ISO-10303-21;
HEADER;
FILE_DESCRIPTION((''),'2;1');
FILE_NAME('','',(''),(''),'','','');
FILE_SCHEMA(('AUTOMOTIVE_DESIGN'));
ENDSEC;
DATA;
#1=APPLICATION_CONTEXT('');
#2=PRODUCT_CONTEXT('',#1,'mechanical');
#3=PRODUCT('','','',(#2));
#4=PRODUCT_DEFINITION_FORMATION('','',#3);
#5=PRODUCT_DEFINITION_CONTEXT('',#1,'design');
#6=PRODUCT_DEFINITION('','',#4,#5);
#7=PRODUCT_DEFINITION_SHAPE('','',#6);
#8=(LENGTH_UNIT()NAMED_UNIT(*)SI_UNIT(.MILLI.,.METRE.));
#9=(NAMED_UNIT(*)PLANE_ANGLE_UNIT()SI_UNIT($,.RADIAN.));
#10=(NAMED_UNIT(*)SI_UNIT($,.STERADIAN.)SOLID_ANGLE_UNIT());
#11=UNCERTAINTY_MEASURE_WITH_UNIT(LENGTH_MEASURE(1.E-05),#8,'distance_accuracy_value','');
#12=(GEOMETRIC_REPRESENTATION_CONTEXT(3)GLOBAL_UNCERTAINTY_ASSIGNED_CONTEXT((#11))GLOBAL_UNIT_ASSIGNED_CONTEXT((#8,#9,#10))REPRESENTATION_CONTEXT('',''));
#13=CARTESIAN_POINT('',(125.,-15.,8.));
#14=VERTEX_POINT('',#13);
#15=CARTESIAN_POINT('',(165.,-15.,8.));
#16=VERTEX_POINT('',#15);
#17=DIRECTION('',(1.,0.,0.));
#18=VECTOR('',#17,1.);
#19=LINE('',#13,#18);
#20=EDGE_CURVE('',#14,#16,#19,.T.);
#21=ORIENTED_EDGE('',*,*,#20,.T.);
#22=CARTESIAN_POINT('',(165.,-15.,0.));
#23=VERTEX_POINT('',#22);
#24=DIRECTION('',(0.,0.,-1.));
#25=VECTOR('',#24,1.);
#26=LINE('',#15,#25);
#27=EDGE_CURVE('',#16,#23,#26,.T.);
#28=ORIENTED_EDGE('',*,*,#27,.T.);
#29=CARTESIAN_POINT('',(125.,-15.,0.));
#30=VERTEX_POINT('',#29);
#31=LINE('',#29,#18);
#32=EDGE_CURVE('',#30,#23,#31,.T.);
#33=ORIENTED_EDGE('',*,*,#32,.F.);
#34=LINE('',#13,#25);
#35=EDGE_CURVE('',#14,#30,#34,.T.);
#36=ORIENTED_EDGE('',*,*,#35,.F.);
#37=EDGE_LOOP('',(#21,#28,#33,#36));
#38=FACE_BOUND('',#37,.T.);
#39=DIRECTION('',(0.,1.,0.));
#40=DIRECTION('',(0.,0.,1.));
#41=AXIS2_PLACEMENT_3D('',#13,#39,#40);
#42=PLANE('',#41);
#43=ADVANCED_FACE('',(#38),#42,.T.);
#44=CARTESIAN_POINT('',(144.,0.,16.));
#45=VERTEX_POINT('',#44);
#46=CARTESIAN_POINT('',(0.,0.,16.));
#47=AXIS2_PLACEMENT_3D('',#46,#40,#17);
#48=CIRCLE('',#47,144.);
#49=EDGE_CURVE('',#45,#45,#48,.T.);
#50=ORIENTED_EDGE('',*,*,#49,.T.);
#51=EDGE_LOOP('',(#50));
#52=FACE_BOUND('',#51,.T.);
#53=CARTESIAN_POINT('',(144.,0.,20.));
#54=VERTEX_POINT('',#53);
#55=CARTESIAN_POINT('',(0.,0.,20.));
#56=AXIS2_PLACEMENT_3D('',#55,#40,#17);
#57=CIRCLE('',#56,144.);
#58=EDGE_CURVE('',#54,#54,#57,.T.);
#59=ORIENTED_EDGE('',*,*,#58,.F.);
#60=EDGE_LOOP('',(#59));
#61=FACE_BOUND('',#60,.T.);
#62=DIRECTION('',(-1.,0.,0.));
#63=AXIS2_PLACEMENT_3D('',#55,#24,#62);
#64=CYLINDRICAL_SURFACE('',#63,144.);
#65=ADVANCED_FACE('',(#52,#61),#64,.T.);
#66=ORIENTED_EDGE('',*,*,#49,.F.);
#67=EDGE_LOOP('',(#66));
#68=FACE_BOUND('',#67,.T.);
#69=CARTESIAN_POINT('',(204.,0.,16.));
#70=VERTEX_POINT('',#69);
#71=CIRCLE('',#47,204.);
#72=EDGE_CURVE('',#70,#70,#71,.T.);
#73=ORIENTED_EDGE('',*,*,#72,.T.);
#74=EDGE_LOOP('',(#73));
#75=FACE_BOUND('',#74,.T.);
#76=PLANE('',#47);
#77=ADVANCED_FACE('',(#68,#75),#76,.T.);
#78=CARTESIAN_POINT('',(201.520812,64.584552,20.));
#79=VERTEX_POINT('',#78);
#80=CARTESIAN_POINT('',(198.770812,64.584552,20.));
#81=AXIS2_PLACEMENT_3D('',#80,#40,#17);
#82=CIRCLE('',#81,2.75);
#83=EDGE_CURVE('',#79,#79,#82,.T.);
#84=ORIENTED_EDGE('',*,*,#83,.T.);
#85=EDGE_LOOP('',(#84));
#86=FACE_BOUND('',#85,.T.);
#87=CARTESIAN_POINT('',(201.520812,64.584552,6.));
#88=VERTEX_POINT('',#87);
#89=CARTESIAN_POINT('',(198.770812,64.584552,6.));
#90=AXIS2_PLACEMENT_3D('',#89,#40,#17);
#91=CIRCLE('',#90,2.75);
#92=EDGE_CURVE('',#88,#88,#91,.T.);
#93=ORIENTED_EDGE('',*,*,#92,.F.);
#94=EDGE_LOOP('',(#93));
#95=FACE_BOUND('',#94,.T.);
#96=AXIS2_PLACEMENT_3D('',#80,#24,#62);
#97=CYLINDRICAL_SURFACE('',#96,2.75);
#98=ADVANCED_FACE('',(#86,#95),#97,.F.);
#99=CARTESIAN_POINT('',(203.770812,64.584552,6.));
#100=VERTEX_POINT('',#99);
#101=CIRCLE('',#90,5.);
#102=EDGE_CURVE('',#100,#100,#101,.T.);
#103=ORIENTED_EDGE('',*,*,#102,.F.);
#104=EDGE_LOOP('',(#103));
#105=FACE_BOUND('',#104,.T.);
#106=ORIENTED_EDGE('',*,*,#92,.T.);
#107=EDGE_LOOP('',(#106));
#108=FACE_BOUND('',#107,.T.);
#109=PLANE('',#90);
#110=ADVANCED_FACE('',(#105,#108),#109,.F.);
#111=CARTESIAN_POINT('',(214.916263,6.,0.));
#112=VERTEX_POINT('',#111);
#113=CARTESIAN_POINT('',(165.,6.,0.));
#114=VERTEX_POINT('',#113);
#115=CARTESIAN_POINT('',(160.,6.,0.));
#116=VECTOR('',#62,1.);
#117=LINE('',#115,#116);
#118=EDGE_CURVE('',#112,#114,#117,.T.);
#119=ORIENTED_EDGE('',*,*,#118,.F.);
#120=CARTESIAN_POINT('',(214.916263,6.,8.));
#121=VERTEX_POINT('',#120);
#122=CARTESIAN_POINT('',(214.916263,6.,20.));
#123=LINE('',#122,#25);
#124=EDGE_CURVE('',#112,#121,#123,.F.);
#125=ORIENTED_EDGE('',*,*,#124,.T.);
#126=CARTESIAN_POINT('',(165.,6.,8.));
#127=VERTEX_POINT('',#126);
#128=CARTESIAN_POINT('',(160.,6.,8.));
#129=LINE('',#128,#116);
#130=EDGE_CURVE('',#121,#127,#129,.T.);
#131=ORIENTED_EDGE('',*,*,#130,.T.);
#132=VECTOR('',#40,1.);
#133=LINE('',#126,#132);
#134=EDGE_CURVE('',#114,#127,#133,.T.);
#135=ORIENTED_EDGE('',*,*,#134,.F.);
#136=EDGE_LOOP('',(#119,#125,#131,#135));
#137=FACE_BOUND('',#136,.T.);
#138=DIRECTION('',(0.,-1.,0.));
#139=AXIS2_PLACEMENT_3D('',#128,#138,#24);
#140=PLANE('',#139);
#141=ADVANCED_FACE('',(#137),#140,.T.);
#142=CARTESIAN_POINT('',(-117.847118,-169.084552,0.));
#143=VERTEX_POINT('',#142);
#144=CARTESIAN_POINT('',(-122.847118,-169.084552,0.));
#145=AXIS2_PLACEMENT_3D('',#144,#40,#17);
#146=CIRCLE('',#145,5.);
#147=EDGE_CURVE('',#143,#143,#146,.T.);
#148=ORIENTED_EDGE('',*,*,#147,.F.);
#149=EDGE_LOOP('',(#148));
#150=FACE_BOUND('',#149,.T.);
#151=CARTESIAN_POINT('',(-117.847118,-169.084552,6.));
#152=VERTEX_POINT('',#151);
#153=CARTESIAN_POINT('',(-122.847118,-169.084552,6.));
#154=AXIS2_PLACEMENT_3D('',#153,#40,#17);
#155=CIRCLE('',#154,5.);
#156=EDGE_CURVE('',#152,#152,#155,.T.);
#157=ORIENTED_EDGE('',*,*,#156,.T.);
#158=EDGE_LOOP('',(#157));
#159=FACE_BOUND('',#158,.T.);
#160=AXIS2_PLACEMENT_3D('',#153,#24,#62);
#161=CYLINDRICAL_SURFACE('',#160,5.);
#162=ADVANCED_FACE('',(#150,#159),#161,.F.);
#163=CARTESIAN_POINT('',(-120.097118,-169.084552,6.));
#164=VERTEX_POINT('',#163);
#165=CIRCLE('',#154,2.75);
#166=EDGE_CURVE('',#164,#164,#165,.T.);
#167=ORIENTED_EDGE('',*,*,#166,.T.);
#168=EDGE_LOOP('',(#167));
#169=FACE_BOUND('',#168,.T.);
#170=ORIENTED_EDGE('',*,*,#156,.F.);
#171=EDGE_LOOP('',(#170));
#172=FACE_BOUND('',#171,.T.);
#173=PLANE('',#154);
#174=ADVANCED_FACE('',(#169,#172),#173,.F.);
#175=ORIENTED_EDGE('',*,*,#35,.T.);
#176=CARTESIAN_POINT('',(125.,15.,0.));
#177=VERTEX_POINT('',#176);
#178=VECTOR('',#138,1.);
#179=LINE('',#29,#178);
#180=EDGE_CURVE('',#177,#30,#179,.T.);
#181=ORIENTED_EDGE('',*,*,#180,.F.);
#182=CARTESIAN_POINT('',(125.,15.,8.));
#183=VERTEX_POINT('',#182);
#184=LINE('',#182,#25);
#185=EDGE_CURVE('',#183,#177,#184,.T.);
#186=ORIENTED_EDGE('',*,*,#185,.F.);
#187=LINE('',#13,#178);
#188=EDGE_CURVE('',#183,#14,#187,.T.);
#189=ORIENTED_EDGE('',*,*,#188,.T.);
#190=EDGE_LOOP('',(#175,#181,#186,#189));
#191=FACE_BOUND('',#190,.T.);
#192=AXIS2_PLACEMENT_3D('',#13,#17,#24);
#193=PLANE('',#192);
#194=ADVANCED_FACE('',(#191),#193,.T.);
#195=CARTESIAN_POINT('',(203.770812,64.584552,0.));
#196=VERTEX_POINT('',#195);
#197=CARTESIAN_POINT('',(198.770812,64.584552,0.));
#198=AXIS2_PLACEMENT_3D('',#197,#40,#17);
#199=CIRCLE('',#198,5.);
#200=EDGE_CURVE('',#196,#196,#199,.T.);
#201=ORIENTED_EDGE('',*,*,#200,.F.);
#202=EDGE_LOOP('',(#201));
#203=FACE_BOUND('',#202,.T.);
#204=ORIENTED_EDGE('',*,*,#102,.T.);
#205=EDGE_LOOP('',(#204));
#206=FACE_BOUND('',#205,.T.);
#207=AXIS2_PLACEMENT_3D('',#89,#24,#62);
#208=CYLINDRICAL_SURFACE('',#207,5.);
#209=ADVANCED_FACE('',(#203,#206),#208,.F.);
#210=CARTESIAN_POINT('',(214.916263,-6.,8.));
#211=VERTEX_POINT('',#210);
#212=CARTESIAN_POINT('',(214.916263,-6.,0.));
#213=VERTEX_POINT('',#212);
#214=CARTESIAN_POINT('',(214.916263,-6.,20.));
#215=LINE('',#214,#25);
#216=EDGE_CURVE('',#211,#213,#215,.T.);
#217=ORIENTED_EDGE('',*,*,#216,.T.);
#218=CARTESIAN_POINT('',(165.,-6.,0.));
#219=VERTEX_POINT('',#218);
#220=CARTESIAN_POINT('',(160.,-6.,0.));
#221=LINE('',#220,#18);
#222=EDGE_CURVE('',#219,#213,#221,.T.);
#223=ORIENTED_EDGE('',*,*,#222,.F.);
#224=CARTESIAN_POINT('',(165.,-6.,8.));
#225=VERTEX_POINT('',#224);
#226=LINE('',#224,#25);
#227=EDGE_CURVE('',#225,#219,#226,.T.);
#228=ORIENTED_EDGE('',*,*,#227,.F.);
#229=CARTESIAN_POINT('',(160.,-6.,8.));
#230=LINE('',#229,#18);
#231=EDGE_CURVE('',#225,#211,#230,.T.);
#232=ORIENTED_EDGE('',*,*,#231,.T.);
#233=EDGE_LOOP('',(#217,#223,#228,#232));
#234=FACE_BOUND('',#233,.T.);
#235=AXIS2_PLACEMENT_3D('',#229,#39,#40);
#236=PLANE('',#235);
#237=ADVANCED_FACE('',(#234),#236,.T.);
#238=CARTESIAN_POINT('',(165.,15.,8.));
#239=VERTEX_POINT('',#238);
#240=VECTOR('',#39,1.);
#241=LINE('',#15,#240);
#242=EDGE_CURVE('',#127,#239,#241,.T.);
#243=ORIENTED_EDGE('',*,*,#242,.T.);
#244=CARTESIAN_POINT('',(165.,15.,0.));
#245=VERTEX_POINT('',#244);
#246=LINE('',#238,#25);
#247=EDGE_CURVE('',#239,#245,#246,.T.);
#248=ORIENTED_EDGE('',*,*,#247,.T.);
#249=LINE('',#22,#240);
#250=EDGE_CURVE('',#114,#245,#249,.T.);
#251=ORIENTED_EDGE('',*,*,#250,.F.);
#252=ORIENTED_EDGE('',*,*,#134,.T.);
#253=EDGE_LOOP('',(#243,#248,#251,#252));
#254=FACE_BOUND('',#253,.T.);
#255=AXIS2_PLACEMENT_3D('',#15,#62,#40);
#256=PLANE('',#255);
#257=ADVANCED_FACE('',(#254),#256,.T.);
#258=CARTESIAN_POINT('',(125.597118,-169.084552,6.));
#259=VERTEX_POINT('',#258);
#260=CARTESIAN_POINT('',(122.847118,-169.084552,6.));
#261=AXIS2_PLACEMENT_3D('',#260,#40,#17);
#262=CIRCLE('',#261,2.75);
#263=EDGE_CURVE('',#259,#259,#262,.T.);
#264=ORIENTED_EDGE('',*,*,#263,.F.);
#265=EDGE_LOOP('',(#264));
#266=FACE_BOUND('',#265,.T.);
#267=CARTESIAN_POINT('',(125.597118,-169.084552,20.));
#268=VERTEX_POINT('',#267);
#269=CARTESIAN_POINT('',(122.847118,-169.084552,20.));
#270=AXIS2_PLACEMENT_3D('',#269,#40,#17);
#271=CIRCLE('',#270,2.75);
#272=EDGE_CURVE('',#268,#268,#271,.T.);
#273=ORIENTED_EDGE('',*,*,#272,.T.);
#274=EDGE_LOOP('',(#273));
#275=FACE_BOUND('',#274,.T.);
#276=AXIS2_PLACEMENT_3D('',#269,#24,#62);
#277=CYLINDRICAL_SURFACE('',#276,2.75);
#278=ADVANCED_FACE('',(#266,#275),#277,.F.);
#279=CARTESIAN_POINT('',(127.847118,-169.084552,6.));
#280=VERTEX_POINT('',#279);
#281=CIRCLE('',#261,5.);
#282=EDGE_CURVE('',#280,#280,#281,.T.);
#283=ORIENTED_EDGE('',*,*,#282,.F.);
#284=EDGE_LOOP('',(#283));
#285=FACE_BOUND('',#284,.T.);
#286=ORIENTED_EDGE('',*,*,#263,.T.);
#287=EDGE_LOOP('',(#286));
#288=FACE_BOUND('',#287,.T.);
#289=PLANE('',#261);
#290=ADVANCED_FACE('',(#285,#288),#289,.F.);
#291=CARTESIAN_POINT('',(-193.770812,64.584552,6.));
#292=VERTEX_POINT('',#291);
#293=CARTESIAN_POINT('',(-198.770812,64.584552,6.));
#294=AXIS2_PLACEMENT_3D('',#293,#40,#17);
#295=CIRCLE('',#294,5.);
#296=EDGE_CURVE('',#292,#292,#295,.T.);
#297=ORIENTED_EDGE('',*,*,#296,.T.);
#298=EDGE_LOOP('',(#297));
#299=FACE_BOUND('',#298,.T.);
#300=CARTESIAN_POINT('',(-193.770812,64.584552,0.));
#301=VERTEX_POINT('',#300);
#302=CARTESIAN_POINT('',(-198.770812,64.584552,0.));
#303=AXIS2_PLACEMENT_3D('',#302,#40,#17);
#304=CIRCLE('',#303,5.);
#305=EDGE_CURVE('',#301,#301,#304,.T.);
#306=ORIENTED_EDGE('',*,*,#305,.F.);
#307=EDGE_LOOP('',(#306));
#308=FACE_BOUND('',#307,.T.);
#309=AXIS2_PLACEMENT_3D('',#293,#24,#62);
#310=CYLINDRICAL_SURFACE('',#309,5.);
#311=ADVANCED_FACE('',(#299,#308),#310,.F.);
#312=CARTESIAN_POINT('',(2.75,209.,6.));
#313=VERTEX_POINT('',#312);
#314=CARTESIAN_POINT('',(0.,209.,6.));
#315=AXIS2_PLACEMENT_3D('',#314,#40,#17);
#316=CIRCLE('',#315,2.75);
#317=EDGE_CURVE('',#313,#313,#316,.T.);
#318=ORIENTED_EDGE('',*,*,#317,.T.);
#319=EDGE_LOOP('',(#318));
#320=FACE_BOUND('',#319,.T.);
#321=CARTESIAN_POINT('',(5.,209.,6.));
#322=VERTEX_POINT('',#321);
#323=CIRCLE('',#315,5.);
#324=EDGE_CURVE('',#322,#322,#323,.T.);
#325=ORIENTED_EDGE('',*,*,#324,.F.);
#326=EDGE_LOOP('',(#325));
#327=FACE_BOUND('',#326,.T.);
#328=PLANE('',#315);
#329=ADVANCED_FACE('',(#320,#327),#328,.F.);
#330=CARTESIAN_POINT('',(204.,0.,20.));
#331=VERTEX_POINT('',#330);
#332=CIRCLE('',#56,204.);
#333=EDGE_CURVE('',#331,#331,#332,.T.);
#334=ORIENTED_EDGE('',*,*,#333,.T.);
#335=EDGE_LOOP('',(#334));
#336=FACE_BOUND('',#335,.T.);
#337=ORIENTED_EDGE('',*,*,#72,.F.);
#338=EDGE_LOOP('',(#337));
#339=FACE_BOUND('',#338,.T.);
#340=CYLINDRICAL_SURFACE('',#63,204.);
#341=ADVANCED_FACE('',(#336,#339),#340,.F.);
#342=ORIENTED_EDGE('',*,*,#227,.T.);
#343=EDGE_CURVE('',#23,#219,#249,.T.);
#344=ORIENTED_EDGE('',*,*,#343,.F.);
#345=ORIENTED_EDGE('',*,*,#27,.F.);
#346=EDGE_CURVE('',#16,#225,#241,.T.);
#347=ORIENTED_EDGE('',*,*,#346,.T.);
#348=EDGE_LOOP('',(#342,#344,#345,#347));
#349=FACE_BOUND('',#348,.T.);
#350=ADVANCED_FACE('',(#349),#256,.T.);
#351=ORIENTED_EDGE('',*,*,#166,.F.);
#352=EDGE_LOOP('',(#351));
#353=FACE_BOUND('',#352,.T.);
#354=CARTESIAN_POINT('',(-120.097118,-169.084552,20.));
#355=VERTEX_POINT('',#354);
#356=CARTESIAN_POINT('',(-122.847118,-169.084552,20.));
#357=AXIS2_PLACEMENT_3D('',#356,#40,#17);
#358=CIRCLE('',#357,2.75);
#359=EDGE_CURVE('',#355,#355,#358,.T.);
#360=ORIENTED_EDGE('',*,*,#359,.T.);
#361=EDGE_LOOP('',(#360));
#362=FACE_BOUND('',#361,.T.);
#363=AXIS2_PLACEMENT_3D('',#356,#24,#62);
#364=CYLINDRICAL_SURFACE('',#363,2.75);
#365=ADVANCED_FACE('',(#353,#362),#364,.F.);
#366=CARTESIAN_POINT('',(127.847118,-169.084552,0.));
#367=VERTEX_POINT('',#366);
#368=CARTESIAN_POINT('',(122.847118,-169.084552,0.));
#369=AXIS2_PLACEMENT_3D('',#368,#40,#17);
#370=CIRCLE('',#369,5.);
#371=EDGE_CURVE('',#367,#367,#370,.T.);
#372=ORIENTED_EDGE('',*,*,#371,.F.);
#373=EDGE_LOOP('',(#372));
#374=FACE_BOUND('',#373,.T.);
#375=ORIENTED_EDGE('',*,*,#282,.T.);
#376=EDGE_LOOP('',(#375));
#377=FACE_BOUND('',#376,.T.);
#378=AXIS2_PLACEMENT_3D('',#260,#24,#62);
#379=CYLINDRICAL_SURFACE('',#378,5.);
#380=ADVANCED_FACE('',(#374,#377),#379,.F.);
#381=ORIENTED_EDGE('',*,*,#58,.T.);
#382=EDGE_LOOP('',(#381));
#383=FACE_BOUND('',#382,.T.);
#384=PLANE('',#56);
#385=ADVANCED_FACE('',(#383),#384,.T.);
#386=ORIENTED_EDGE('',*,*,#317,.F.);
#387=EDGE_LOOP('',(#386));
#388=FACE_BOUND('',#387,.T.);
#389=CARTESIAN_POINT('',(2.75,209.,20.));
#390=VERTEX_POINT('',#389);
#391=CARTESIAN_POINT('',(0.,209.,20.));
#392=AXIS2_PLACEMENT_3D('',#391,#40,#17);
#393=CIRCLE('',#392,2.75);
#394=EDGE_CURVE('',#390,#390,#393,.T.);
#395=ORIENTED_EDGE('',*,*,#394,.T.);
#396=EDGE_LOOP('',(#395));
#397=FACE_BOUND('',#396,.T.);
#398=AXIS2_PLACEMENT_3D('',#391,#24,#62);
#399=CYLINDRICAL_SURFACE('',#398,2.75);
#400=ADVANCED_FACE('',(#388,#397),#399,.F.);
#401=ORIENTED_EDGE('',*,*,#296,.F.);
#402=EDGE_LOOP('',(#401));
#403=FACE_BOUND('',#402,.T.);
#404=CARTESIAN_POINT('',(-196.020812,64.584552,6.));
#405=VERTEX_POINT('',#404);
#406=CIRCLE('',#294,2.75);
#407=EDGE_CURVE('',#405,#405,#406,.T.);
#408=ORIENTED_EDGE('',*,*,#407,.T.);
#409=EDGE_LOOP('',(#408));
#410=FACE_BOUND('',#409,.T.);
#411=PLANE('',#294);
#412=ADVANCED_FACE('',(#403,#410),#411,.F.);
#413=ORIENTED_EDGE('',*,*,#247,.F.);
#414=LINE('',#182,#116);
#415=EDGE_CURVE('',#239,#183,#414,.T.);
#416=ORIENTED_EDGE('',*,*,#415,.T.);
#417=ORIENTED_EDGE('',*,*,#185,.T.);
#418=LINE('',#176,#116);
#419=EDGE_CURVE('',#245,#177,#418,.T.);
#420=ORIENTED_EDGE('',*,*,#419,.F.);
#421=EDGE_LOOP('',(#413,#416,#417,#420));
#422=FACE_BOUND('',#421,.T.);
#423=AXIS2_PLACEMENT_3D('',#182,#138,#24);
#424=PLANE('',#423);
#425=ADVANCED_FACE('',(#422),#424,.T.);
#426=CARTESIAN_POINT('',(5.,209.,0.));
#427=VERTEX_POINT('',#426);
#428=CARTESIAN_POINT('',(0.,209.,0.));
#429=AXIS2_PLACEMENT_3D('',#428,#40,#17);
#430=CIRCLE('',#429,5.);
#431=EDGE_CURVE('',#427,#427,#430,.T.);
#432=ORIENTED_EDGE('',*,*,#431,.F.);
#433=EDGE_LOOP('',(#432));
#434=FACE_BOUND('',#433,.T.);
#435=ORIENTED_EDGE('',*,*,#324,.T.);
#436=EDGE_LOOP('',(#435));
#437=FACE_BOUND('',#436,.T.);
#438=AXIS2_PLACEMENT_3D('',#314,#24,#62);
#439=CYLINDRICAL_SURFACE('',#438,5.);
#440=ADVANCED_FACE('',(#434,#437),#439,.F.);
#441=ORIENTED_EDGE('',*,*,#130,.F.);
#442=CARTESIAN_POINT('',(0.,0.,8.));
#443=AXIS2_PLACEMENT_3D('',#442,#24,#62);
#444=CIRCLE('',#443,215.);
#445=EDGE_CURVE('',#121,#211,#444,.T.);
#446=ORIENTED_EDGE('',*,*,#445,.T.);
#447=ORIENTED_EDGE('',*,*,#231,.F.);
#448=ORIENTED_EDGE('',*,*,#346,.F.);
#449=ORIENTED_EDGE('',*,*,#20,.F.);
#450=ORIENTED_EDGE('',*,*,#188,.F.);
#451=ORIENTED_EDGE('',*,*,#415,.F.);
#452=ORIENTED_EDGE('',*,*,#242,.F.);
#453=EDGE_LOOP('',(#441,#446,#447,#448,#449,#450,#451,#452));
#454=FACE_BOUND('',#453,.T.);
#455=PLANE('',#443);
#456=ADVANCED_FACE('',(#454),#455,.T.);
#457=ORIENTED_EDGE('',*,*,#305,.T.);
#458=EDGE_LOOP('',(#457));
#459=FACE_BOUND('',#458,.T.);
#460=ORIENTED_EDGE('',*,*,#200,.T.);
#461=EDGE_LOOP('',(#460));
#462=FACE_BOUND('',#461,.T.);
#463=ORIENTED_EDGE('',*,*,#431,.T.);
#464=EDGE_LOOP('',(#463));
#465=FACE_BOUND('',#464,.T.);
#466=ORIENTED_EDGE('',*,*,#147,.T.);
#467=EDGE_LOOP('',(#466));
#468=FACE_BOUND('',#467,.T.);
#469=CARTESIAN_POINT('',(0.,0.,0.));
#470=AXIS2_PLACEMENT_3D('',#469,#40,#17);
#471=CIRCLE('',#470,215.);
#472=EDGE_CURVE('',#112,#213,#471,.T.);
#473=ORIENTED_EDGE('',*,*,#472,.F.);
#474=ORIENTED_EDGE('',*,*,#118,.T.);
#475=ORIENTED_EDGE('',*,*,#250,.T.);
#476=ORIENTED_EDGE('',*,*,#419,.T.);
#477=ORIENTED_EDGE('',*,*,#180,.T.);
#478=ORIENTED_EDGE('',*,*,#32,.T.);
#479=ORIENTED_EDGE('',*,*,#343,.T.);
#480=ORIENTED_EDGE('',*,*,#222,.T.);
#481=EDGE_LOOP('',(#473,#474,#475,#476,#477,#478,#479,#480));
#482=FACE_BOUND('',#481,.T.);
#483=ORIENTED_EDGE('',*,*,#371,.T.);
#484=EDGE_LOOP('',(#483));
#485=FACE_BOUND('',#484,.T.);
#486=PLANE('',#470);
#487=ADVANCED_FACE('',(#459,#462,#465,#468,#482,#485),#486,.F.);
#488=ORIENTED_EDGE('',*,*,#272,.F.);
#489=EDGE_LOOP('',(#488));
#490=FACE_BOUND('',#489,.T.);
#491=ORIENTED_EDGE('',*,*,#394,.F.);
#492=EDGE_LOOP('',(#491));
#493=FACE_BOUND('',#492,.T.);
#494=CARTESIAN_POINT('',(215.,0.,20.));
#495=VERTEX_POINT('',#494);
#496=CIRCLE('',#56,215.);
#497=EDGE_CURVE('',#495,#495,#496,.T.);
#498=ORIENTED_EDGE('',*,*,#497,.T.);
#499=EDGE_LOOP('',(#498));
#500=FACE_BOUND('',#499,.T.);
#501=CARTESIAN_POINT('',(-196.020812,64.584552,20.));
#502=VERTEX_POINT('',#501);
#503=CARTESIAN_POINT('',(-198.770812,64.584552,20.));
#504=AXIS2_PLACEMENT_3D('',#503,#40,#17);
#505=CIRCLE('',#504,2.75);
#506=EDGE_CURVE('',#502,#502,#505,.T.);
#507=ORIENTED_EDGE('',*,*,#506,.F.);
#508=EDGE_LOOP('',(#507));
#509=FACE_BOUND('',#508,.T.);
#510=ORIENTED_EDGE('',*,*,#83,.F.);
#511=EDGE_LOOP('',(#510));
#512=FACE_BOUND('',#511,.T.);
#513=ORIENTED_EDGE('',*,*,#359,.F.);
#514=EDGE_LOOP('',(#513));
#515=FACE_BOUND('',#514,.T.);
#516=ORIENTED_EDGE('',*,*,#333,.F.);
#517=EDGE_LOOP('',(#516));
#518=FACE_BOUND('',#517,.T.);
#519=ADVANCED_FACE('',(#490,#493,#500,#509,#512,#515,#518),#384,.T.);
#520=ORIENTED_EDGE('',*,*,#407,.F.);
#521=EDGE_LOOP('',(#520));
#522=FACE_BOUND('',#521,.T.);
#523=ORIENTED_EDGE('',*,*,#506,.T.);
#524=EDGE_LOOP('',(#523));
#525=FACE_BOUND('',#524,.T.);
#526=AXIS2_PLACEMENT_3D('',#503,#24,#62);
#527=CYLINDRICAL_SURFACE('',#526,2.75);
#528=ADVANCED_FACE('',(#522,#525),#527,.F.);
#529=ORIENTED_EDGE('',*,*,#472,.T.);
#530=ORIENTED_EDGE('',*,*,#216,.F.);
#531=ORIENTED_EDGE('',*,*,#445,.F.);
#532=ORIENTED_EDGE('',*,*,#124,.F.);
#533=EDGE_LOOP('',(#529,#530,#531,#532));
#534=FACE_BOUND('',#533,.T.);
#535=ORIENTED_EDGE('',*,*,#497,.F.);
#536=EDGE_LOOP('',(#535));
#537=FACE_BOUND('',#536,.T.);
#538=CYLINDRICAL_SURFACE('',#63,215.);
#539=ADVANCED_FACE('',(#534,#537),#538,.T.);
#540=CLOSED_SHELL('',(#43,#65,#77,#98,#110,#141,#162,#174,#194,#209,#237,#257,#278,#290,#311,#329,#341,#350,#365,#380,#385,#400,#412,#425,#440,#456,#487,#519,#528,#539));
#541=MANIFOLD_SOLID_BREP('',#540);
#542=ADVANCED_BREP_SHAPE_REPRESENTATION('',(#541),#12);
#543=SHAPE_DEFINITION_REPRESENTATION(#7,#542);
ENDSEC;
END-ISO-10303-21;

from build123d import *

# Parameters (mm, degrees)
SKETCH1_R           = 215
PLATE_DEPTH         = 20
SKETCH2_R           = 204
SKETCH2_R_2         = 144
COMB_GROOVE_DEPTH   = 4
SKETCH3_R           = 2.75
ROD_HOLES_DEPTH     = 20
SKETCH4_R           = 5
NUT_POCKETS_DEPTH   = 6
SKETCH5_W           = 40
SKETCH5_H           = 30
PD_POCKET_DEPTH     = 8
SKETCH6_W           = 60
SKETCH6_H           = 12
CABLE_CHANNEL_DEPTH = 8


with BuildPart() as part:
    # Sketch1 → Plate (new body)
    with BuildSketch(Plane.XY):
        Circle(SKETCH1_R)
    extrude(amount=PLATE_DEPTH)

    # Sketch2 → Comb_groove (cut)
    with BuildSketch(Plane.XY.offset(16)):
        Circle(SKETCH2_R)
        Circle(SKETCH2_R_2, mode=Mode.SUBTRACT)
    extrude(amount=COMB_GROOVE_DEPTH, mode=Mode.SUBTRACT)

    # Sketch3 → Rod_holes (cut)
    with BuildSketch(Plane.XY):
        with Locations((198.770811906, 64.584551824)):
            Circle(SKETCH3_R)
        with Locations((0, 209)):
            Circle(SKETCH3_R)
        with Locations((-198.770811906, 64.584551824)):
            Circle(SKETCH3_R)
        with Locations((-122.847117729, -169.084551824)):
            Circle(SKETCH3_R)
        with Locations((122.847117729, -169.084551824)):
            Circle(SKETCH3_R)
    extrude(amount=ROD_HOLES_DEPTH, mode=Mode.SUBTRACT)

    # Sketch4 → Nut_pockets (cut)
    with BuildSketch(Plane.XY):
        with Locations((198.770811906, 64.584551824)):
            Circle(SKETCH4_R)
        with Locations((0, 209)):
            Circle(SKETCH4_R)
        with Locations((-198.770811906, 64.584551824)):
            Circle(SKETCH4_R)
        with Locations((-122.847117729, -169.084551824)):
            Circle(SKETCH4_R)
        with Locations((122.847117729, -169.084551824)):
            Circle(SKETCH4_R)
    extrude(amount=NUT_POCKETS_DEPTH, mode=Mode.SUBTRACT)

    # Sketch5 → PD_pocket (cut)
    with BuildSketch(Plane.XY):
        with Locations((145, 0)):
            Rectangle(SKETCH5_W, SKETCH5_H)
    extrude(amount=PD_POCKET_DEPTH, mode=Mode.SUBTRACT)

    # Sketch6 → Cable_channel (cut)
    with BuildSketch(Plane.XY):
        with Locations((190, 0)):
            Rectangle(SKETCH6_W, SKETCH6_H)
    extrude(amount=CABLE_CHANNEL_DEPTH, mode=Mode.SUBTRACT)


solid = part.part
